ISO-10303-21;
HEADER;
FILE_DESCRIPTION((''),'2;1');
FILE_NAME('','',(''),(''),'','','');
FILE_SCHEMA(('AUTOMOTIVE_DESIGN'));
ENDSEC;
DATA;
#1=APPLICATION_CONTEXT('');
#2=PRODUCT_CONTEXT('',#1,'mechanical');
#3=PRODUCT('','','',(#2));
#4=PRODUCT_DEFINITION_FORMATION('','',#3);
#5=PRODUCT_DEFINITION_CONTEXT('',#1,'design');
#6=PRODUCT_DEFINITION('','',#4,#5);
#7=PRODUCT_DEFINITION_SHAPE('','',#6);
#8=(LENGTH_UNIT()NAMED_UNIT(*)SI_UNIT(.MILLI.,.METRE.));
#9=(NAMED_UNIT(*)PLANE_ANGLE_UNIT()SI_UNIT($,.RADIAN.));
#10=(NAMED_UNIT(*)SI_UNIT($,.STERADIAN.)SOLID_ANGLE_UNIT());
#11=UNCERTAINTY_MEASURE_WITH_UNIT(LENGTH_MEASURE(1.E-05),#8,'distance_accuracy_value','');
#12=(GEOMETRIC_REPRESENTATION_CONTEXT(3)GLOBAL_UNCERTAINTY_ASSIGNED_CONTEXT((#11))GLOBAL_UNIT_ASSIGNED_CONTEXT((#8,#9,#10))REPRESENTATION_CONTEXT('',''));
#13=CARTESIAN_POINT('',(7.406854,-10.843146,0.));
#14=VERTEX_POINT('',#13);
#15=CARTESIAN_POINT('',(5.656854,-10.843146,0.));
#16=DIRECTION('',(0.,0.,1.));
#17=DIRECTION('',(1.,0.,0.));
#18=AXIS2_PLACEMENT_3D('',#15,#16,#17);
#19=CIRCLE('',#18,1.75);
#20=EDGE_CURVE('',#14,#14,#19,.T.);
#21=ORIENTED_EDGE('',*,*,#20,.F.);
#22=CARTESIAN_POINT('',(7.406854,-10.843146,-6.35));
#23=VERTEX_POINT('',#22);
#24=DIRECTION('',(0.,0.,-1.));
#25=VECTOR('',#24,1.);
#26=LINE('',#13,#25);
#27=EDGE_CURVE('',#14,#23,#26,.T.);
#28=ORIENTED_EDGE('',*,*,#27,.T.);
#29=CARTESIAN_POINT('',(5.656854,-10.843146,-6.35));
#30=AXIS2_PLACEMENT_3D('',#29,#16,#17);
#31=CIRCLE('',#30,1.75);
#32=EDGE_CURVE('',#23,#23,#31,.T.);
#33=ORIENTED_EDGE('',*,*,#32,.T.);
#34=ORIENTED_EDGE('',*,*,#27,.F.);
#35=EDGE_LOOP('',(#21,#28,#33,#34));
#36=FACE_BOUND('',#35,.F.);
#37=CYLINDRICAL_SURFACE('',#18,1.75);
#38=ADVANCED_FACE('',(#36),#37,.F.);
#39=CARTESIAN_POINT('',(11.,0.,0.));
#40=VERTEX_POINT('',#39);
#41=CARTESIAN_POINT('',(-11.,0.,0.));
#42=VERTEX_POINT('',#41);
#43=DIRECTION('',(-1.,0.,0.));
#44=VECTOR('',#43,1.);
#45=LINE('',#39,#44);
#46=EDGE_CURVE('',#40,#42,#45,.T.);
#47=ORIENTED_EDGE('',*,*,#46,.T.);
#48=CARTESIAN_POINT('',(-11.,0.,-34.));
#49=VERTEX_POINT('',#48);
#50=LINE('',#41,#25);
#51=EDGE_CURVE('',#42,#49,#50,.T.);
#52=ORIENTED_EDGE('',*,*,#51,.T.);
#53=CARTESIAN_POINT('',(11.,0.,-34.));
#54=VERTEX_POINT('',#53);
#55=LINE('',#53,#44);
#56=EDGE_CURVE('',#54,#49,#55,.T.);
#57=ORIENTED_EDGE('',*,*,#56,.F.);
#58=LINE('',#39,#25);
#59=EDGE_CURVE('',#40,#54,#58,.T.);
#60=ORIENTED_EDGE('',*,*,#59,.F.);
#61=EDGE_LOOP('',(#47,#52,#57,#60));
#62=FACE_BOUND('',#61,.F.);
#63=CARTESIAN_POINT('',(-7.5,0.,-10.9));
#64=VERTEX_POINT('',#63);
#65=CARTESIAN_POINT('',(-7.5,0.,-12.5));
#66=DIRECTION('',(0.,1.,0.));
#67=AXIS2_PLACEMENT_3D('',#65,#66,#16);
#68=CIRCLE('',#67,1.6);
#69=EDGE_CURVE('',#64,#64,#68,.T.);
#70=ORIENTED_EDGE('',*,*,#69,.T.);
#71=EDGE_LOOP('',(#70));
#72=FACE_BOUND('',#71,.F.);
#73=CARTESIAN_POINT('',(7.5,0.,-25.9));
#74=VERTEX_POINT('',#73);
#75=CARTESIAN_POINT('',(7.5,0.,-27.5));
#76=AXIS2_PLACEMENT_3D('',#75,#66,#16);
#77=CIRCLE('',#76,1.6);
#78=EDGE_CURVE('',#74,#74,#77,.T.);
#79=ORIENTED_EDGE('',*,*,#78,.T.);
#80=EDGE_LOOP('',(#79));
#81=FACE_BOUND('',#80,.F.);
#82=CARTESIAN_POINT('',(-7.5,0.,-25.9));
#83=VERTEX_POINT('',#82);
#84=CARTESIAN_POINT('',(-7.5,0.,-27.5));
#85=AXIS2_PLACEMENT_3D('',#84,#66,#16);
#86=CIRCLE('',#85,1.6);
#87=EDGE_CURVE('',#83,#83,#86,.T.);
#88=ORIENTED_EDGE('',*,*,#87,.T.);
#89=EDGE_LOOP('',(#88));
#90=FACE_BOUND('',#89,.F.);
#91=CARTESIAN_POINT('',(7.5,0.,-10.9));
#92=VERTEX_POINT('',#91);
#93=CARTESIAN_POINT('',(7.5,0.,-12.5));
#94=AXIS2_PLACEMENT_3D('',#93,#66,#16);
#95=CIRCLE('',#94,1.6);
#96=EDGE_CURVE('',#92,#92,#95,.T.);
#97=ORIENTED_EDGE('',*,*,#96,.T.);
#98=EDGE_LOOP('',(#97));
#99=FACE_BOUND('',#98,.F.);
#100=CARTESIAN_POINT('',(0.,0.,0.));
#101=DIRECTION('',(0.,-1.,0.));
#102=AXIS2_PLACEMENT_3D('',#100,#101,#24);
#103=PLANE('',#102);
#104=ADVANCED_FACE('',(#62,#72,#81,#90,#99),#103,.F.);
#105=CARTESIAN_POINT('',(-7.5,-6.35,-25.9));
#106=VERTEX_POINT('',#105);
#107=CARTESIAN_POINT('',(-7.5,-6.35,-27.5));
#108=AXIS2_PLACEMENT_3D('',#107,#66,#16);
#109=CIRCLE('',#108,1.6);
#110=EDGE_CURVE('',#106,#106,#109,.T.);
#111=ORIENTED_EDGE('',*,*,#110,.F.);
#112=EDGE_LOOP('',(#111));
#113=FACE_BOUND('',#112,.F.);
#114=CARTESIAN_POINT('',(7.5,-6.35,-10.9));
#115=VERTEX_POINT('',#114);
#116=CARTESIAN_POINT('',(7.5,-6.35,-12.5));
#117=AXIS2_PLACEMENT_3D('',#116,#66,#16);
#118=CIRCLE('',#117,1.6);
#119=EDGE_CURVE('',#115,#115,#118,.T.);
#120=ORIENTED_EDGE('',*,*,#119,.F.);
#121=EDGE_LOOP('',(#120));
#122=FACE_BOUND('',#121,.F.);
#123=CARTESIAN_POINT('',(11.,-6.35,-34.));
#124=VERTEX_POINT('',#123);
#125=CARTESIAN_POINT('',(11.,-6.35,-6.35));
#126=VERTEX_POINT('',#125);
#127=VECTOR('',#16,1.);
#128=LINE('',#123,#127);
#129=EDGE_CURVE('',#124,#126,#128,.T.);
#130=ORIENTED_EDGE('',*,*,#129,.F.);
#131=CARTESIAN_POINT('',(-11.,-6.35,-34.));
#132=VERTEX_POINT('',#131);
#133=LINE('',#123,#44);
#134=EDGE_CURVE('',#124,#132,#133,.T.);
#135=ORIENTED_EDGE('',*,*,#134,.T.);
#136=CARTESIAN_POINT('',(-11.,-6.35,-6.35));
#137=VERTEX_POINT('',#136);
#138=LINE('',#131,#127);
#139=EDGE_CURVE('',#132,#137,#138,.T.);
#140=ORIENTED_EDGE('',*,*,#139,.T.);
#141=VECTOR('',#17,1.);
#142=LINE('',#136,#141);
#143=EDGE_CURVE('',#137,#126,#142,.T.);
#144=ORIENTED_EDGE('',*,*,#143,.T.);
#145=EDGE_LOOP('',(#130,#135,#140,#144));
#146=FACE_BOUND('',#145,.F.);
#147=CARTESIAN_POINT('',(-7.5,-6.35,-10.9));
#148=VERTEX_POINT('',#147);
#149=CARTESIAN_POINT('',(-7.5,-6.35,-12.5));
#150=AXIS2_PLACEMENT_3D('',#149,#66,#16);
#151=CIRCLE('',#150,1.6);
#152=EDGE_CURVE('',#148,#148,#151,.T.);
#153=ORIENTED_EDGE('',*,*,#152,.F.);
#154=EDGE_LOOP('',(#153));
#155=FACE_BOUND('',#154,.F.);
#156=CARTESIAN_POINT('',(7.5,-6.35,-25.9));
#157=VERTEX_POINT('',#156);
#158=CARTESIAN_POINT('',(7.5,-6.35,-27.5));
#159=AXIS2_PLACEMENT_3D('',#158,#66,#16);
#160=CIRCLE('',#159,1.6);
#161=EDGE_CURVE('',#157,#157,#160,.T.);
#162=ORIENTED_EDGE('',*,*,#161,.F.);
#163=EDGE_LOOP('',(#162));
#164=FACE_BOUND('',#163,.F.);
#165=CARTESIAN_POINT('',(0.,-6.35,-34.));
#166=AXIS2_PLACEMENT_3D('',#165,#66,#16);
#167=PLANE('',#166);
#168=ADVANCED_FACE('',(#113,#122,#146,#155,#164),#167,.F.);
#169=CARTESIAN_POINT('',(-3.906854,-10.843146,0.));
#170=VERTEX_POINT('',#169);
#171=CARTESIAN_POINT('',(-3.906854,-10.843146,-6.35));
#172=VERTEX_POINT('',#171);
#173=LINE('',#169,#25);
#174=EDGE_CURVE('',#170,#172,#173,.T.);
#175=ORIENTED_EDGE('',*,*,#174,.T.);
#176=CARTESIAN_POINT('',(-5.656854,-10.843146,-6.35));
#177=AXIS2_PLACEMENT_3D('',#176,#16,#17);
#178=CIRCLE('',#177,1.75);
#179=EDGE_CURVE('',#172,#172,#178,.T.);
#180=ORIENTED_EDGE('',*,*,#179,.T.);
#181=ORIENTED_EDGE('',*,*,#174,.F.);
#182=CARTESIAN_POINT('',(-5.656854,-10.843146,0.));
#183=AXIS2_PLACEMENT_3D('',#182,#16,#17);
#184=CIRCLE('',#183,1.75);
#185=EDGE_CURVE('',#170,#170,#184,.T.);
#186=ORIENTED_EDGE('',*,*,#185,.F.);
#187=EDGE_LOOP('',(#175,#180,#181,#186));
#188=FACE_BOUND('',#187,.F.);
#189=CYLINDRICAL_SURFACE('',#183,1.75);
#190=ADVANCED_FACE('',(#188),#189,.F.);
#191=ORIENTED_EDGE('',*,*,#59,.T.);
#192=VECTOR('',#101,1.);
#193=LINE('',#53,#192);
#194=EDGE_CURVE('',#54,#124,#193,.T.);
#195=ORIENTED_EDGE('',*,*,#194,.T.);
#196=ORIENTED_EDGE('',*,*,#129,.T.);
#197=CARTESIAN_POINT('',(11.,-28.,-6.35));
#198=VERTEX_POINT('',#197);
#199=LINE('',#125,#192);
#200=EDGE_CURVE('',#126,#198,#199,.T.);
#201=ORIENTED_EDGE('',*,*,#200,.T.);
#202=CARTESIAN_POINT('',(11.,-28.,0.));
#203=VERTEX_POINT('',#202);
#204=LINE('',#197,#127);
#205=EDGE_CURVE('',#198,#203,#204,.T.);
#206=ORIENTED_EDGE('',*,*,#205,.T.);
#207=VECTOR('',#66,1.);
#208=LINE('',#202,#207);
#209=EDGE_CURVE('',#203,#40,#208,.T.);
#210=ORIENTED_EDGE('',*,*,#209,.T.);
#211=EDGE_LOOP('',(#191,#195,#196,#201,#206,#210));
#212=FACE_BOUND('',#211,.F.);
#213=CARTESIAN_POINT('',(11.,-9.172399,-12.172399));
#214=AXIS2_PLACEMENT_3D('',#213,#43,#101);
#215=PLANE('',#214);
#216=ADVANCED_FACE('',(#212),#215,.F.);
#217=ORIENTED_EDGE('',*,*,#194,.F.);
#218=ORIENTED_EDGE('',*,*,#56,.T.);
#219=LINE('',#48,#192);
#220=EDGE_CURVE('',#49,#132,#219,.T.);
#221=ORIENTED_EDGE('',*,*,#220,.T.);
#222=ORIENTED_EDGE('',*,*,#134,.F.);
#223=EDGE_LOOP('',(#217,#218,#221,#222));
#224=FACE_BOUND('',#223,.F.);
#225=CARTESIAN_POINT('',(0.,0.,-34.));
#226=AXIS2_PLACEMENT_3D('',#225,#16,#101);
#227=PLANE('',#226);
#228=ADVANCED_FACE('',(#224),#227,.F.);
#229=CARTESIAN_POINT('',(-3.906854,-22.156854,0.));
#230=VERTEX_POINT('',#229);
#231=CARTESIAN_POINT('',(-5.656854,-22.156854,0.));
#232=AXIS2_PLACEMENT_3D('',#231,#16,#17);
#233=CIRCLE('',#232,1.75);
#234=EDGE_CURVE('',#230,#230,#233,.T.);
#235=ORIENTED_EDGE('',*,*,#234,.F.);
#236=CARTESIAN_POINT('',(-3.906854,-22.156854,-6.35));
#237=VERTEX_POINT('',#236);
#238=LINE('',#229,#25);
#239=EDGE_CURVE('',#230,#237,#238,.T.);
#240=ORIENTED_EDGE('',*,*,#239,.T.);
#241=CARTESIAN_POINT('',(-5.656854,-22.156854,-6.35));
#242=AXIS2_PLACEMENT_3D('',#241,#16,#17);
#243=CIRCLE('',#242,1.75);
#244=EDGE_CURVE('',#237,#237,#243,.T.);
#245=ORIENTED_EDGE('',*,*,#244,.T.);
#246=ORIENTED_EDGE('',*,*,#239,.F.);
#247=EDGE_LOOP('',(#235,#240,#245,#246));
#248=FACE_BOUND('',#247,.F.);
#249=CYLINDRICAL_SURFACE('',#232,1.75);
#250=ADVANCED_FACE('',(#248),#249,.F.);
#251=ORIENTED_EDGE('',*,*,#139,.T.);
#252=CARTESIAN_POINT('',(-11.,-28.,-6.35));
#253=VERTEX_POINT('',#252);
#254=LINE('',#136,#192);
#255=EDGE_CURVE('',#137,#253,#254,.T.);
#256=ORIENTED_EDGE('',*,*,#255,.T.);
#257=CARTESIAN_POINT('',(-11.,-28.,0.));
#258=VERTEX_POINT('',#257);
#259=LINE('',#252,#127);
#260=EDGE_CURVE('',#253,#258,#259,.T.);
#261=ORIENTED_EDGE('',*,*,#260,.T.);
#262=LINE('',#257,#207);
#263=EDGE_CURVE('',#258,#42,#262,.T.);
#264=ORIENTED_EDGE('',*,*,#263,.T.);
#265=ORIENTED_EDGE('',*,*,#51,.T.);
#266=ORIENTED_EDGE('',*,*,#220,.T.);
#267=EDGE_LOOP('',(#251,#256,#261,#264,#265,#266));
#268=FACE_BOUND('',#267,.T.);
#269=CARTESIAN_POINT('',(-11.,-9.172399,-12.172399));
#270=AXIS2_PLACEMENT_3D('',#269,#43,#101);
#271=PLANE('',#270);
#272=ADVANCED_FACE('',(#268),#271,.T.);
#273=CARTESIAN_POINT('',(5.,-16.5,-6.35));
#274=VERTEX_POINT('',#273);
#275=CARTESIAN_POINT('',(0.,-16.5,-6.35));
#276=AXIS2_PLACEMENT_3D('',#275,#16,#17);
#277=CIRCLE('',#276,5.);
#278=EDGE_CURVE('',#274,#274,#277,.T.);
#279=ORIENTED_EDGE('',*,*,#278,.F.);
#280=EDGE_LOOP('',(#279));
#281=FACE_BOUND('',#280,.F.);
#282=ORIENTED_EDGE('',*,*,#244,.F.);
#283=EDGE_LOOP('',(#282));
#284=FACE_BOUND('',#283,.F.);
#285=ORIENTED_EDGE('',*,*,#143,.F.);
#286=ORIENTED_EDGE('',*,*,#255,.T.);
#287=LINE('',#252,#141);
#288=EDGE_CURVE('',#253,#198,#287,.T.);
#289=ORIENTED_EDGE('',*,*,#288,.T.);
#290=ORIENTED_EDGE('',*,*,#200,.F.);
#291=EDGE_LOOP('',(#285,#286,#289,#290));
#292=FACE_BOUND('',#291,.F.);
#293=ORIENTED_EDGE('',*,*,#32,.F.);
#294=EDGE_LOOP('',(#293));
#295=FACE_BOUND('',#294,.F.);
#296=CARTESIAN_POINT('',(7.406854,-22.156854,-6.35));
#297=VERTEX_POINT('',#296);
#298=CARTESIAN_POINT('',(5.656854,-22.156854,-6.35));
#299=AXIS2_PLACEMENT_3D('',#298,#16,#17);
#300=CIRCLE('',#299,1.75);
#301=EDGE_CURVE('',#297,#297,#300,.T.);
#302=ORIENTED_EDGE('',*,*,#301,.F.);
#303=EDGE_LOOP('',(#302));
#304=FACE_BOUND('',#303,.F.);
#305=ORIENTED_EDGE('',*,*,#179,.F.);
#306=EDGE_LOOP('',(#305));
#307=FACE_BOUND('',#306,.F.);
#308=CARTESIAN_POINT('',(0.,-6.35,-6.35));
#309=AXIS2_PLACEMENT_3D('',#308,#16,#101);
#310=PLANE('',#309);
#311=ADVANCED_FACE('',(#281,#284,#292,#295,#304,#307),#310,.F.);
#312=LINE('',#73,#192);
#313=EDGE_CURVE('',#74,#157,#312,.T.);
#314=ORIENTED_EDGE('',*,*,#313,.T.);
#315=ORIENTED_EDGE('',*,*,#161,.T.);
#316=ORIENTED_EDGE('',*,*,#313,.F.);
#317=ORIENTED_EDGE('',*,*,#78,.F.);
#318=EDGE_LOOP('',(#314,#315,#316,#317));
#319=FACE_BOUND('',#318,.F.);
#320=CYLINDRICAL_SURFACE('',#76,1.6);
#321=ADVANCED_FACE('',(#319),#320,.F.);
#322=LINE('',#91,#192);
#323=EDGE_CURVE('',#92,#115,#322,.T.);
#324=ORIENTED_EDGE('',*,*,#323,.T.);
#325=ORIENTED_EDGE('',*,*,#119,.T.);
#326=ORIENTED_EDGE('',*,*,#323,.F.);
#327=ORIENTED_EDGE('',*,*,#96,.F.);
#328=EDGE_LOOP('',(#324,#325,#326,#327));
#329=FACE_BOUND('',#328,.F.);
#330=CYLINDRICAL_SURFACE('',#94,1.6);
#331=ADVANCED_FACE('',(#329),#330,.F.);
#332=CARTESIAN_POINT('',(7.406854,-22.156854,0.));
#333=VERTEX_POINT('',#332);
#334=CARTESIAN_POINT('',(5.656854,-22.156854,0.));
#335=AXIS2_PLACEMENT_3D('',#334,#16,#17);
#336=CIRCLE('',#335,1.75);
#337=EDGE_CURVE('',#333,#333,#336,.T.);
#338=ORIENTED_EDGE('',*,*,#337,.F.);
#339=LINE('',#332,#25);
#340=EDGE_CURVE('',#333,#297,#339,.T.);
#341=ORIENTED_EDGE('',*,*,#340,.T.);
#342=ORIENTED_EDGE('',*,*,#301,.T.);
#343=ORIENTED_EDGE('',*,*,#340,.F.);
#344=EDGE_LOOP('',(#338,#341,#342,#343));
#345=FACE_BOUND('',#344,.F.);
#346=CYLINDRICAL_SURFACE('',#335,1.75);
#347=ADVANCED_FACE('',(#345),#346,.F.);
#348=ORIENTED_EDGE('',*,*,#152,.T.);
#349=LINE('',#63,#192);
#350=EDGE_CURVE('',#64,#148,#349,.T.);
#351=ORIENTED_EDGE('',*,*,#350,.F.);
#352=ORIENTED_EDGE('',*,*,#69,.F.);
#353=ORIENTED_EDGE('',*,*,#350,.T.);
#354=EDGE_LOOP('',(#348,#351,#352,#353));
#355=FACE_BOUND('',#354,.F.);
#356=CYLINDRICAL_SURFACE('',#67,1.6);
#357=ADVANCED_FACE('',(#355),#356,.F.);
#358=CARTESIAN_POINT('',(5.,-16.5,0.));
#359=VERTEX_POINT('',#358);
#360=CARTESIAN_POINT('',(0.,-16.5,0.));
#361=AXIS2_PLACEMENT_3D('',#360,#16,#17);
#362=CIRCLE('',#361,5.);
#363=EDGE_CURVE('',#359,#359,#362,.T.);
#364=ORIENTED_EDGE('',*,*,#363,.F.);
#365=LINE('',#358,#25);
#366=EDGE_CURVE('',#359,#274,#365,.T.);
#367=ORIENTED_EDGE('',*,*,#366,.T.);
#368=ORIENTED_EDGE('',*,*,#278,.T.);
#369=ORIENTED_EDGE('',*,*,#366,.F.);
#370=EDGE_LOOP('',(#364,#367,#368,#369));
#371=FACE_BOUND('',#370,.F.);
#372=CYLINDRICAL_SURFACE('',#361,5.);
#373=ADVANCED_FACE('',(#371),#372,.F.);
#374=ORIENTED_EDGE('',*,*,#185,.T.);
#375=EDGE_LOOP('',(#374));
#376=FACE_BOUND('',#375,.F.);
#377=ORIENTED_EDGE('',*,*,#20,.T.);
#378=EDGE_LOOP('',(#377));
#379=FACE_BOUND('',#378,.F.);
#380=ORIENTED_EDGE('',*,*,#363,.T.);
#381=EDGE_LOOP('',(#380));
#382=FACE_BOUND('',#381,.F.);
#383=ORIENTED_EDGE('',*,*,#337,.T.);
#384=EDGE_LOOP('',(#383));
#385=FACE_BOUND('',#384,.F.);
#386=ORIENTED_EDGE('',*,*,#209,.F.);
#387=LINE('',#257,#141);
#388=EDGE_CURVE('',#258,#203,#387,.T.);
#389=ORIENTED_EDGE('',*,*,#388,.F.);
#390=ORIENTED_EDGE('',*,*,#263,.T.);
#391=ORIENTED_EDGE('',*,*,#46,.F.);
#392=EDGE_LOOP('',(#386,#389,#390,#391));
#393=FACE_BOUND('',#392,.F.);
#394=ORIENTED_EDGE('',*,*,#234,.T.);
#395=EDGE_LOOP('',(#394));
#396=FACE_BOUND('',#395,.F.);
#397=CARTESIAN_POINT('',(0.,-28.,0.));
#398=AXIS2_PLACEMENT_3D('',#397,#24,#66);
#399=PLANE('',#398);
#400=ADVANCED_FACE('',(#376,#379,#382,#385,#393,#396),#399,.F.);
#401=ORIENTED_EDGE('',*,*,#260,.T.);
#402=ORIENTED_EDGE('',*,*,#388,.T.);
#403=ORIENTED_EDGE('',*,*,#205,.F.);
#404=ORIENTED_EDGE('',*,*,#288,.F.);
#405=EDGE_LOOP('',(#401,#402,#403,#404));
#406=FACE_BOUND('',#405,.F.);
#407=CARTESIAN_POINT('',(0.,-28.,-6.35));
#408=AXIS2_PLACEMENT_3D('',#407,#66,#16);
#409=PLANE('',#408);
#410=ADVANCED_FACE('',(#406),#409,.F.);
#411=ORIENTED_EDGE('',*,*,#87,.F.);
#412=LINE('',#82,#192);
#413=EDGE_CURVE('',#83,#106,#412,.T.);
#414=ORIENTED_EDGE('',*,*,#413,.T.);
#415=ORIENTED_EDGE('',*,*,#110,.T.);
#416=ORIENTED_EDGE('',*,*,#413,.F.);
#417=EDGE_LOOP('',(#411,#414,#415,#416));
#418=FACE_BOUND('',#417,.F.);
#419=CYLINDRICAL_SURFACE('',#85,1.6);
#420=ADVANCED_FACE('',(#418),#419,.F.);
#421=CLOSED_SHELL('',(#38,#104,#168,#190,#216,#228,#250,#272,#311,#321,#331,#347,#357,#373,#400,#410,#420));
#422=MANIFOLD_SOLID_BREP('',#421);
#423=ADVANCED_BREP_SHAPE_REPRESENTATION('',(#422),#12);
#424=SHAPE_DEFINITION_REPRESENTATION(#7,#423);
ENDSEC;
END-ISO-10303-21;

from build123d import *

# Parameters (mm, degrees)
PAD_DEPTH         = 11
SKETCH002_R       = 5
SKETCH002_R_2     = 1.75
POCKET_DEPTH      = 34.001
POCKET_DEPTH_BACK = 0.001
SKETCH003_R       = 1.6
HOLE_DEPTH        = 28.001


with BuildPart() as part:
    # Sketch → Pad (new body, symmetric)
    with BuildSketch(Plane.YZ):
        Polygon((-28, 0), (0, 0), (0, -34), (-6.35, -34), (-6.35, -6.35), (-28, -6.35), align=None)
    extrude(amount=PAD_DEPTH, both=True)

    # Sketch002 → Pocket (cut, two sides)
    with BuildSketch(Plane.XY) as pocket_sk:
        with Locations((0, -16.5)):
            Circle(SKETCH002_R)
        with Locations((-5.656854, -22.156854)):
            Circle(SKETCH002_R_2)
        with Locations((5.656854, -22.156854)):
            Circle(SKETCH002_R_2)
        with Locations((5.656854, -10.843146)):
            Circle(SKETCH002_R_2)
        with Locations((-5.656854, -10.843146)):
            Circle(SKETCH002_R_2)
    extrude(amount=-POCKET_DEPTH, mode=Mode.SUBTRACT)
    extrude(pocket_sk.sketch, amount=POCKET_DEPTH_BACK, mode=Mode.SUBTRACT)

    # Sketch003 (on Face5 of Pocket) → Hole (cut, through all)
    with BuildSketch(Plane.ZX):
        with Locations((-27.5, 7.5)):
            Circle(SKETCH003_R)
        with Locations((-12.5, 7.5)):
            Circle(SKETCH003_R)
        with Locations((-12.5, -7.5)):
            Circle(SKETCH003_R)
        with Locations((-27.5, -7.5)):
            Circle(SKETCH003_R)
    extrude(amount=-HOLE_DEPTH, mode=Mode.SUBTRACT)


solid = part.part
